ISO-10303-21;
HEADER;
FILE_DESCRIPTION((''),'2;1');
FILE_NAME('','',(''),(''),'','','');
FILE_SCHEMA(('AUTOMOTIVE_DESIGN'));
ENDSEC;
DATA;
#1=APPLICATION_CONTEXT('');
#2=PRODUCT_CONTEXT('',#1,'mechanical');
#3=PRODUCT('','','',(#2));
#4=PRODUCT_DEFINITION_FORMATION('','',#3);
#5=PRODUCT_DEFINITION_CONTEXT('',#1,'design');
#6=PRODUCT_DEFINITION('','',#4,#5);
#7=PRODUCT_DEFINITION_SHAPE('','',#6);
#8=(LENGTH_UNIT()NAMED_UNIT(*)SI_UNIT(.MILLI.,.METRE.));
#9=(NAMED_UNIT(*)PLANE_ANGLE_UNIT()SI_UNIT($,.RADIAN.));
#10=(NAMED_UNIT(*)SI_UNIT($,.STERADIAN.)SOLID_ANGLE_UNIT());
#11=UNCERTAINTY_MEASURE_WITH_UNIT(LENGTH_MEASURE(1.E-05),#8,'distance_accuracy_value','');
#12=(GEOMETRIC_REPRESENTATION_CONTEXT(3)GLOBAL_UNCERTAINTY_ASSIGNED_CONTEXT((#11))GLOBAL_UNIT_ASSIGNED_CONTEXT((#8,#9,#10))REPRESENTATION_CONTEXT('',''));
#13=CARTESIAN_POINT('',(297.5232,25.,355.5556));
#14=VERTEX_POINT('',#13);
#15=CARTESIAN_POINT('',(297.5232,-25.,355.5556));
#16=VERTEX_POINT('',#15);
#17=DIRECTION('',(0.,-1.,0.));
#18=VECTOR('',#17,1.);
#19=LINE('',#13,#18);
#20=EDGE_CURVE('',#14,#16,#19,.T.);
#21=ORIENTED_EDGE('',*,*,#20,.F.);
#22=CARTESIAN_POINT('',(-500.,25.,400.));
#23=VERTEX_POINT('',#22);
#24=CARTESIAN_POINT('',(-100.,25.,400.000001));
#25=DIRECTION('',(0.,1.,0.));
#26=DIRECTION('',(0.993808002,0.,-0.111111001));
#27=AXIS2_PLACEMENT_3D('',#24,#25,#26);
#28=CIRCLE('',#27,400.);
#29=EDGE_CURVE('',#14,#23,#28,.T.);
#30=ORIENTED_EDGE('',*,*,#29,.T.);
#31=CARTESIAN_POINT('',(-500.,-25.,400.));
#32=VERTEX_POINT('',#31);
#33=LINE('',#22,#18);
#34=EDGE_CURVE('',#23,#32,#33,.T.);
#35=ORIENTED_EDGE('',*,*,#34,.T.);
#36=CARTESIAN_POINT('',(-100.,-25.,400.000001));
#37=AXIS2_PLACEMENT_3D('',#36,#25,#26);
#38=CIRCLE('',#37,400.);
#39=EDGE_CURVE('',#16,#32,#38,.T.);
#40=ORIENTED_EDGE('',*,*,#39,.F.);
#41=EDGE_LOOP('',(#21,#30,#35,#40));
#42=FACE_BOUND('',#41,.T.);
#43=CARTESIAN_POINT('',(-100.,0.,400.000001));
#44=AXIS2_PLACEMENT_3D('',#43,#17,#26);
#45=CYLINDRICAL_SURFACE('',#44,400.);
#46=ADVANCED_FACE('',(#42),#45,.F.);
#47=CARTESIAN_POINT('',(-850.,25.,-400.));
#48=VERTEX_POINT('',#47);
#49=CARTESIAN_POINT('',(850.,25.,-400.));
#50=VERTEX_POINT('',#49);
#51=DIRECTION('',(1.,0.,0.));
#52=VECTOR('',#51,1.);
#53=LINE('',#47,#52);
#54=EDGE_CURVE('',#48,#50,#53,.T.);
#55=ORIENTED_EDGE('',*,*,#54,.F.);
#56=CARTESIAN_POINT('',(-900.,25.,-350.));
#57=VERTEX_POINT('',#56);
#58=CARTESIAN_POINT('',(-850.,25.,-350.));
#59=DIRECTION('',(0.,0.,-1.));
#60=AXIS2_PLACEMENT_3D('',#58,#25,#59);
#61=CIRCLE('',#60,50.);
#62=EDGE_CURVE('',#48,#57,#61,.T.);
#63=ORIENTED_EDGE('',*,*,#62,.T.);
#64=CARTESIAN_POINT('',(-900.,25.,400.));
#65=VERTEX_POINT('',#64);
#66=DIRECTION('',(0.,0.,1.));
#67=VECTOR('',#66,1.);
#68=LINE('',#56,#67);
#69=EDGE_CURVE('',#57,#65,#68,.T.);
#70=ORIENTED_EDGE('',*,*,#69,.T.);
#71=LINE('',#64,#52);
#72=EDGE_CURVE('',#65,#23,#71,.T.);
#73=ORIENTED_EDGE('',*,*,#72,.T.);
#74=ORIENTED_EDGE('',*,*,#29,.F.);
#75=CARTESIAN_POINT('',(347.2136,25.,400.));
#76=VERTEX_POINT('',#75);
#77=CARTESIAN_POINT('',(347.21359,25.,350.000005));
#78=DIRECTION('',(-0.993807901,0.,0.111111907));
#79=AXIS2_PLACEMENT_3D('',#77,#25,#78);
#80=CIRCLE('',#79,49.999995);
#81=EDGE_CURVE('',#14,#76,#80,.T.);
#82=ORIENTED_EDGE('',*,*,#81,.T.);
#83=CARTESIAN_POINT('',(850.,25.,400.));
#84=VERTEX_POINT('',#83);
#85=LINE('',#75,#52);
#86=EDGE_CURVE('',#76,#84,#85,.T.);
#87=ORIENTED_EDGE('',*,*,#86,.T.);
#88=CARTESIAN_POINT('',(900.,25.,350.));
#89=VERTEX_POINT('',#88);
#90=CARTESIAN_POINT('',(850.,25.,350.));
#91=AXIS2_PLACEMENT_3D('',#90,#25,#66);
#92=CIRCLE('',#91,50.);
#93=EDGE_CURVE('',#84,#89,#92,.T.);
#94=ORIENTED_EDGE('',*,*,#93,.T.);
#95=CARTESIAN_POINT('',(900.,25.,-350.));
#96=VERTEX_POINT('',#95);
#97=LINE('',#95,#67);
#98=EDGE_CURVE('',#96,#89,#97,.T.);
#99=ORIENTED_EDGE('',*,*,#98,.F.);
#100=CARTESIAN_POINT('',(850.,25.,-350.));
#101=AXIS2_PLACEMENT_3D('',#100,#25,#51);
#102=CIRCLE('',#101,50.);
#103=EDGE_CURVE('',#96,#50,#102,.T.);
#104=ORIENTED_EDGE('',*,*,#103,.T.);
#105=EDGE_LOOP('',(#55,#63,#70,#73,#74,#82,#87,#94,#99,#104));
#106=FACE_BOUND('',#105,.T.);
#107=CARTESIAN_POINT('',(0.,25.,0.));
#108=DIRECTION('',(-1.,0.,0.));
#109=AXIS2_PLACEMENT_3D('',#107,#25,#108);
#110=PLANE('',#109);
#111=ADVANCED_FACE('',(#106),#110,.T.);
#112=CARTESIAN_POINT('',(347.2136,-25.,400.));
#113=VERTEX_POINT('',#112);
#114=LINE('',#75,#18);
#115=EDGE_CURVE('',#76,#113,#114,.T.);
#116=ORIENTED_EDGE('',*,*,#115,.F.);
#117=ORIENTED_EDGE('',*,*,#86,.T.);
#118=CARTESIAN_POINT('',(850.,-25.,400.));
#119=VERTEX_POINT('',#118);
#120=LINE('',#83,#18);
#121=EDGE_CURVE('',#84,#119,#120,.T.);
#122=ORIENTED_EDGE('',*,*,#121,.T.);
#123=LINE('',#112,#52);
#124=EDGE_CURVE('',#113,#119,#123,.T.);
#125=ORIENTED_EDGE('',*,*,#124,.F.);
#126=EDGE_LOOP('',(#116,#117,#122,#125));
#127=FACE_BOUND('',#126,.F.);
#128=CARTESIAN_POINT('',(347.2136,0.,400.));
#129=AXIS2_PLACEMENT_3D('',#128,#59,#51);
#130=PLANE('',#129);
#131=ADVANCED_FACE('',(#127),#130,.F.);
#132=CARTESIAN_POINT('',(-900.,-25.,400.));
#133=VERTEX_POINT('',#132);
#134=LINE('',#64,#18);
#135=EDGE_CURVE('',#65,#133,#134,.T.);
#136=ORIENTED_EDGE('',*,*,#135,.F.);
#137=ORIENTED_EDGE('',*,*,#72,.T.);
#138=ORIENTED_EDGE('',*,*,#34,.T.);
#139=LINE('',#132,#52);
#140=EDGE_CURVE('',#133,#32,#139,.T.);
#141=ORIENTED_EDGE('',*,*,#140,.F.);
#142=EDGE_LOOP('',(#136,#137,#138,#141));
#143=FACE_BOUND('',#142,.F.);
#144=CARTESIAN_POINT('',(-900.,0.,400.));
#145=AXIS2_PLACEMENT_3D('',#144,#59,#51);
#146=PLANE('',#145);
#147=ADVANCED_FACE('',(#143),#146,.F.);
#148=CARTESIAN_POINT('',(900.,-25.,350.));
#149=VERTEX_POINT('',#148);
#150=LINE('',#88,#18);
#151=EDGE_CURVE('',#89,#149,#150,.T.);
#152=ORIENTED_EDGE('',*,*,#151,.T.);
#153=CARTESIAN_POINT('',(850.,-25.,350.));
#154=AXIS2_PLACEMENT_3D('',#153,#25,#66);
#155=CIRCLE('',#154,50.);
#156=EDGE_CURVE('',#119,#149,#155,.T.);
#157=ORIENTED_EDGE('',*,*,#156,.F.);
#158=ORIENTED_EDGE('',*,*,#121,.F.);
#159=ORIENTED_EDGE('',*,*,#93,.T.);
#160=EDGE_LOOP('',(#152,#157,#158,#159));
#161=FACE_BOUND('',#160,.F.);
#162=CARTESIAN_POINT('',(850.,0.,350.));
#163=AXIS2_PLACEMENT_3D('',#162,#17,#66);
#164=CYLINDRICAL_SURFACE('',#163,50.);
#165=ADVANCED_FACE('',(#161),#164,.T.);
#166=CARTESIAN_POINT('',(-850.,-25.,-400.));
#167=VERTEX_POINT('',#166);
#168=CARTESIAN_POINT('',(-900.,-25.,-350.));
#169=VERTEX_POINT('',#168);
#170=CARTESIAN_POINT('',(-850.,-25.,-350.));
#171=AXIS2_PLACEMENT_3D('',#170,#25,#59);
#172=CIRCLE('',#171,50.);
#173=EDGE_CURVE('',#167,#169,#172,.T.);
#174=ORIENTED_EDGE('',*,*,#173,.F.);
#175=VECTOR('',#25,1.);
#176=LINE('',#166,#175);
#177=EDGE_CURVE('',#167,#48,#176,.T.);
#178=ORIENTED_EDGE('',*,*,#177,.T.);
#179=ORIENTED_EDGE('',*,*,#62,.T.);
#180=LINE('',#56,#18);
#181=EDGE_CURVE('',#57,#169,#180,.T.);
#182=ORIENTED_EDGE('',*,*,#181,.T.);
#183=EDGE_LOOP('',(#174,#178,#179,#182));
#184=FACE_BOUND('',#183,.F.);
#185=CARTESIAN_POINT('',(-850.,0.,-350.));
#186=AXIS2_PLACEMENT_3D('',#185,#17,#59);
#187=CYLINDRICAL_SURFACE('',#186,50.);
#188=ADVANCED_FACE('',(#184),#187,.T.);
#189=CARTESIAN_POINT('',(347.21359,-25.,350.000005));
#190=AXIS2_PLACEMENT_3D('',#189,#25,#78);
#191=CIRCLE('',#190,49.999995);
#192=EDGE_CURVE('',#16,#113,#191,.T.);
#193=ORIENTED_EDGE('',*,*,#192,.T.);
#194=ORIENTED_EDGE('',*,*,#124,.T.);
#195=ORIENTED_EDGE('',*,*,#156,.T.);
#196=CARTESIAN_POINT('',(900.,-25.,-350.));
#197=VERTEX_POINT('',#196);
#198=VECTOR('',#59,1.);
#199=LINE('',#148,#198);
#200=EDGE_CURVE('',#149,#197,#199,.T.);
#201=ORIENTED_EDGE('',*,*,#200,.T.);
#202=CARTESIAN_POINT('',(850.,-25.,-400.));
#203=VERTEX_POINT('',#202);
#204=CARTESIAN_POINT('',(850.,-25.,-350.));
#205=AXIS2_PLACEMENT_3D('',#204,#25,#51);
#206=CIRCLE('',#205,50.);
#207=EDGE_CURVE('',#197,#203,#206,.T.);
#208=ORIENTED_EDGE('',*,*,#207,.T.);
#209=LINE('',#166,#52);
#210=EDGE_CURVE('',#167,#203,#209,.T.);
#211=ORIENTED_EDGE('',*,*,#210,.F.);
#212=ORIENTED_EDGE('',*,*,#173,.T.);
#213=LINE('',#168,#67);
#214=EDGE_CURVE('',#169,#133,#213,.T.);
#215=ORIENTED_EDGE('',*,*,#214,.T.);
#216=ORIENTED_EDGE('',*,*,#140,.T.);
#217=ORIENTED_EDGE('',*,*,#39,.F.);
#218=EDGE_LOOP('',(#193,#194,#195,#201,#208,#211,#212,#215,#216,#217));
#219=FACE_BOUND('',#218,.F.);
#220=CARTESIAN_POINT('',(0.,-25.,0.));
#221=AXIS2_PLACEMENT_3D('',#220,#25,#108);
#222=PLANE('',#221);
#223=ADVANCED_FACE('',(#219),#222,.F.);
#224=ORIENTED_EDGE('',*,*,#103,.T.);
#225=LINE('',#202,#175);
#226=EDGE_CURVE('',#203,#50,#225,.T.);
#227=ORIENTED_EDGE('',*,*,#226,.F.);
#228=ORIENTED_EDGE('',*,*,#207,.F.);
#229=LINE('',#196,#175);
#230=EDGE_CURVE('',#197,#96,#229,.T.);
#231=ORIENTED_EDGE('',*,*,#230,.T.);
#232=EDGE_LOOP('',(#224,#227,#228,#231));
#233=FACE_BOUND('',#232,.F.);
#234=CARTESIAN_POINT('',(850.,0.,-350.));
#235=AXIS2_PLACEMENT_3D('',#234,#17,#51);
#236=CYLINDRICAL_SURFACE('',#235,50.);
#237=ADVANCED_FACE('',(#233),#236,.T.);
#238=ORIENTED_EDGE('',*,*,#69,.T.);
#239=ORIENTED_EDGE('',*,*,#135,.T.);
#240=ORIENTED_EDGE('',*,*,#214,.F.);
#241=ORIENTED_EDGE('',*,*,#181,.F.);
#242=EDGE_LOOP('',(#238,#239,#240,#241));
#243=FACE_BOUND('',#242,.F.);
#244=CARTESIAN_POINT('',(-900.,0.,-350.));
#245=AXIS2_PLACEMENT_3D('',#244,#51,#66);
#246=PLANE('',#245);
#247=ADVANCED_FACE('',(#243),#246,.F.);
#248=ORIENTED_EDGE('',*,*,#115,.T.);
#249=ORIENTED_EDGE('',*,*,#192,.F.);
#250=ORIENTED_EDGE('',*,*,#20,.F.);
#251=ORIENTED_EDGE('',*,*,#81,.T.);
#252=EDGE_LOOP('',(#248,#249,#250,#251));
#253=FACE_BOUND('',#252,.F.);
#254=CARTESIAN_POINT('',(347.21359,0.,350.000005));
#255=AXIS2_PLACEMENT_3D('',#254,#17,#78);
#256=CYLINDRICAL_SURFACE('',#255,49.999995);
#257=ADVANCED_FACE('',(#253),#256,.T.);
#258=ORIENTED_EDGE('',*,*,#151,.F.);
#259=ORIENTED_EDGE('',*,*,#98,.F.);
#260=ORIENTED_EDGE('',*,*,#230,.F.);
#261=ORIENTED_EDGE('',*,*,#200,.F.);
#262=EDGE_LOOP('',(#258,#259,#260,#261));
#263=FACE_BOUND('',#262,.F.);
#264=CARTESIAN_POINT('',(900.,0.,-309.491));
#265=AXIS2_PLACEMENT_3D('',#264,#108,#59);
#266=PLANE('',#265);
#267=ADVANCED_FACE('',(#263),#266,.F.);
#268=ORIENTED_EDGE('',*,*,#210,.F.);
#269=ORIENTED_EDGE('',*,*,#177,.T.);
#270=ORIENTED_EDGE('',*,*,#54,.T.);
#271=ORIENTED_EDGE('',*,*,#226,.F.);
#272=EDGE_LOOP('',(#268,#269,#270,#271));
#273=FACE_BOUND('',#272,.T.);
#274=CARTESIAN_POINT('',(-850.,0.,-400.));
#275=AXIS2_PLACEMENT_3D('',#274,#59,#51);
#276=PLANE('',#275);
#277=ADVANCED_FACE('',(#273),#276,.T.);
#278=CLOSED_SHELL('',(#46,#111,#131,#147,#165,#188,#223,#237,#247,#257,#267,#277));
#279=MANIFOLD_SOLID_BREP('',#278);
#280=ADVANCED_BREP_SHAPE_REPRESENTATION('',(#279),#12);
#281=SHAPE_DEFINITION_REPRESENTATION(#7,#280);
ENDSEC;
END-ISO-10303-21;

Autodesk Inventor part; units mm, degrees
sketch "Esboço1" plane through (0, 0, 0) normal (0, 1, 0) x (-1, 0, 0)
  line L0 (-900, 400) -> (900, 400) construction
  line L1 (900, 400) -> (900, -400) construction
  line L2 (900, -400) -> (-900, -400) construction
  line L3 (-900, -400) -> (-900, 400) construction
  line L4 (-900, 400) -> (900, -400) construction
  line L5 (900, 400) -> (-900, -400) construction
  line L6 (900, -250) -> (650, -250) construction
  line L7 (650, -250) -> (650, 400) construction
  arc A0 (885, -400) -> (900, -385) centre (885, -385) ccw
  arc A1 (650, -235) -> (665, -250) centre (665, -235) ccw
  line L8 (885, -400) -> (-900, -400)
  line L9 (900, -385) -> (900, -250) construction
  line L10 (900, -250) -> (665, -250) construction
  line L11 (-900, -400) -> (-1700, -400) construction
  line L12 (-1700, -400) -> (-1700, 1400) construction
  line L13 (-1700, 1400) -> (-900, 1400) construction
  line L14 (-900, 1400) -> (-900, -400) construction
  circle A2 centre (-900, 400) radius 400 construction
  line L15 (900, 0) -> (-900, 0) construction
  line L16 (-1300, 1400) -> (-1300, -404.7673) construction
  arc A3 (-485.2712, 400) -> (-500.2614, 385.5422) centre (-485.2712, 385) ccw
  line L17 (650, -235) -> (650, 385)
  arc A4 (650, 385) -> (635, 400) centre (635, 385) ccw
  line L18 (635, 400) -> (-485.2712, 400)
  arc A5 (-900, 0) -> (-500.2614, 385.5422) centre (-900, 400) ccw
  line L19 (-900, -400) -> (-900, 0)
  arc A6 (900, -265) -> (885, -250) centre (885, -265) ccw
  line L20 (900, -265) -> (900, -385)
  line L21 (885, -250) -> (665, -250)
  point P0 (0, 0)
  dimension "d11" = 800
  dimension "d0" = 800
  dimension "d1" = 1800
  dimension "d3" = 650
  dimension "d5" = 15
  dimension "d6" = 800
  dimension "d7" = 1800
  dimension "d9" = 250
  dimension "d13" = 400
  dimension "d14" = 400
  dimension "d15" = 400
sketch "Esboço3" plane through (0, 0, 0) normal (0, 1, 0) x (-1, 0, 0)
  line L0 (-900, 400) -> (900, 400) construction
  line L1 (900, 400) -> (900, -400) construction
  line L2 (900, -400) -> (-900, -400) construction
  line L3 (-900, -400) -> (-900, 400) construction
  line L4 (-900, 400) -> (900, -400) construction
  line L5 (900, 400) -> (-900, -400) construction
  arc A0 (-900, -350) -> (-850, -400) centre (-850, -350) ccw
  arc A1 (850, -400) -> (900, -350) centre (850, -350) ccw
  line L6 (900, 0) -> (-900, 0) construction
  line L7 (500, 400) -> (500, 0) construction
  line L8 (850, -400) -> (-850, -400)
  line L9 (900, -350) -> (900, 400)
  line L10 (-900, -350) -> (-900, -350)
  line L11 (-900, -309.491) -> (-900, -350)
  arc A2 (-850, 400) -> (-900, 350) centre (-850, 350) ccw
  line L12 (-900, -309.491) -> (-900, 350)
  circle A3 centre (100, 400) radius 400 construction
  arc A4 (-297.5232, 355.5556) -> (-347.2136, 400) centre (-347.2136, 350) ccw
  line L13 (900, 400) -> (500, 400)
  line L14 (-347.2136, 400) -> (-850, 400)
  arc A5 (-297.5232, 355.5556) -> (500, 400) centre (100, 400) ccw
  point P0 (0, 0)
  point P1 (-598.6068, 400)
  dimension "d16" = 1800
  dimension "d17" = 800
  dimension "d19" = 400
  dimension "d20" = 50
  dimension "d21" = 800
extrude "Extrusão1" add sketch "Esboço3" along normal mid plane 50
equation "\"d6\" = d0"
equation "\"d7\" = d1"
properties part number "Lado Direito Mesa"
